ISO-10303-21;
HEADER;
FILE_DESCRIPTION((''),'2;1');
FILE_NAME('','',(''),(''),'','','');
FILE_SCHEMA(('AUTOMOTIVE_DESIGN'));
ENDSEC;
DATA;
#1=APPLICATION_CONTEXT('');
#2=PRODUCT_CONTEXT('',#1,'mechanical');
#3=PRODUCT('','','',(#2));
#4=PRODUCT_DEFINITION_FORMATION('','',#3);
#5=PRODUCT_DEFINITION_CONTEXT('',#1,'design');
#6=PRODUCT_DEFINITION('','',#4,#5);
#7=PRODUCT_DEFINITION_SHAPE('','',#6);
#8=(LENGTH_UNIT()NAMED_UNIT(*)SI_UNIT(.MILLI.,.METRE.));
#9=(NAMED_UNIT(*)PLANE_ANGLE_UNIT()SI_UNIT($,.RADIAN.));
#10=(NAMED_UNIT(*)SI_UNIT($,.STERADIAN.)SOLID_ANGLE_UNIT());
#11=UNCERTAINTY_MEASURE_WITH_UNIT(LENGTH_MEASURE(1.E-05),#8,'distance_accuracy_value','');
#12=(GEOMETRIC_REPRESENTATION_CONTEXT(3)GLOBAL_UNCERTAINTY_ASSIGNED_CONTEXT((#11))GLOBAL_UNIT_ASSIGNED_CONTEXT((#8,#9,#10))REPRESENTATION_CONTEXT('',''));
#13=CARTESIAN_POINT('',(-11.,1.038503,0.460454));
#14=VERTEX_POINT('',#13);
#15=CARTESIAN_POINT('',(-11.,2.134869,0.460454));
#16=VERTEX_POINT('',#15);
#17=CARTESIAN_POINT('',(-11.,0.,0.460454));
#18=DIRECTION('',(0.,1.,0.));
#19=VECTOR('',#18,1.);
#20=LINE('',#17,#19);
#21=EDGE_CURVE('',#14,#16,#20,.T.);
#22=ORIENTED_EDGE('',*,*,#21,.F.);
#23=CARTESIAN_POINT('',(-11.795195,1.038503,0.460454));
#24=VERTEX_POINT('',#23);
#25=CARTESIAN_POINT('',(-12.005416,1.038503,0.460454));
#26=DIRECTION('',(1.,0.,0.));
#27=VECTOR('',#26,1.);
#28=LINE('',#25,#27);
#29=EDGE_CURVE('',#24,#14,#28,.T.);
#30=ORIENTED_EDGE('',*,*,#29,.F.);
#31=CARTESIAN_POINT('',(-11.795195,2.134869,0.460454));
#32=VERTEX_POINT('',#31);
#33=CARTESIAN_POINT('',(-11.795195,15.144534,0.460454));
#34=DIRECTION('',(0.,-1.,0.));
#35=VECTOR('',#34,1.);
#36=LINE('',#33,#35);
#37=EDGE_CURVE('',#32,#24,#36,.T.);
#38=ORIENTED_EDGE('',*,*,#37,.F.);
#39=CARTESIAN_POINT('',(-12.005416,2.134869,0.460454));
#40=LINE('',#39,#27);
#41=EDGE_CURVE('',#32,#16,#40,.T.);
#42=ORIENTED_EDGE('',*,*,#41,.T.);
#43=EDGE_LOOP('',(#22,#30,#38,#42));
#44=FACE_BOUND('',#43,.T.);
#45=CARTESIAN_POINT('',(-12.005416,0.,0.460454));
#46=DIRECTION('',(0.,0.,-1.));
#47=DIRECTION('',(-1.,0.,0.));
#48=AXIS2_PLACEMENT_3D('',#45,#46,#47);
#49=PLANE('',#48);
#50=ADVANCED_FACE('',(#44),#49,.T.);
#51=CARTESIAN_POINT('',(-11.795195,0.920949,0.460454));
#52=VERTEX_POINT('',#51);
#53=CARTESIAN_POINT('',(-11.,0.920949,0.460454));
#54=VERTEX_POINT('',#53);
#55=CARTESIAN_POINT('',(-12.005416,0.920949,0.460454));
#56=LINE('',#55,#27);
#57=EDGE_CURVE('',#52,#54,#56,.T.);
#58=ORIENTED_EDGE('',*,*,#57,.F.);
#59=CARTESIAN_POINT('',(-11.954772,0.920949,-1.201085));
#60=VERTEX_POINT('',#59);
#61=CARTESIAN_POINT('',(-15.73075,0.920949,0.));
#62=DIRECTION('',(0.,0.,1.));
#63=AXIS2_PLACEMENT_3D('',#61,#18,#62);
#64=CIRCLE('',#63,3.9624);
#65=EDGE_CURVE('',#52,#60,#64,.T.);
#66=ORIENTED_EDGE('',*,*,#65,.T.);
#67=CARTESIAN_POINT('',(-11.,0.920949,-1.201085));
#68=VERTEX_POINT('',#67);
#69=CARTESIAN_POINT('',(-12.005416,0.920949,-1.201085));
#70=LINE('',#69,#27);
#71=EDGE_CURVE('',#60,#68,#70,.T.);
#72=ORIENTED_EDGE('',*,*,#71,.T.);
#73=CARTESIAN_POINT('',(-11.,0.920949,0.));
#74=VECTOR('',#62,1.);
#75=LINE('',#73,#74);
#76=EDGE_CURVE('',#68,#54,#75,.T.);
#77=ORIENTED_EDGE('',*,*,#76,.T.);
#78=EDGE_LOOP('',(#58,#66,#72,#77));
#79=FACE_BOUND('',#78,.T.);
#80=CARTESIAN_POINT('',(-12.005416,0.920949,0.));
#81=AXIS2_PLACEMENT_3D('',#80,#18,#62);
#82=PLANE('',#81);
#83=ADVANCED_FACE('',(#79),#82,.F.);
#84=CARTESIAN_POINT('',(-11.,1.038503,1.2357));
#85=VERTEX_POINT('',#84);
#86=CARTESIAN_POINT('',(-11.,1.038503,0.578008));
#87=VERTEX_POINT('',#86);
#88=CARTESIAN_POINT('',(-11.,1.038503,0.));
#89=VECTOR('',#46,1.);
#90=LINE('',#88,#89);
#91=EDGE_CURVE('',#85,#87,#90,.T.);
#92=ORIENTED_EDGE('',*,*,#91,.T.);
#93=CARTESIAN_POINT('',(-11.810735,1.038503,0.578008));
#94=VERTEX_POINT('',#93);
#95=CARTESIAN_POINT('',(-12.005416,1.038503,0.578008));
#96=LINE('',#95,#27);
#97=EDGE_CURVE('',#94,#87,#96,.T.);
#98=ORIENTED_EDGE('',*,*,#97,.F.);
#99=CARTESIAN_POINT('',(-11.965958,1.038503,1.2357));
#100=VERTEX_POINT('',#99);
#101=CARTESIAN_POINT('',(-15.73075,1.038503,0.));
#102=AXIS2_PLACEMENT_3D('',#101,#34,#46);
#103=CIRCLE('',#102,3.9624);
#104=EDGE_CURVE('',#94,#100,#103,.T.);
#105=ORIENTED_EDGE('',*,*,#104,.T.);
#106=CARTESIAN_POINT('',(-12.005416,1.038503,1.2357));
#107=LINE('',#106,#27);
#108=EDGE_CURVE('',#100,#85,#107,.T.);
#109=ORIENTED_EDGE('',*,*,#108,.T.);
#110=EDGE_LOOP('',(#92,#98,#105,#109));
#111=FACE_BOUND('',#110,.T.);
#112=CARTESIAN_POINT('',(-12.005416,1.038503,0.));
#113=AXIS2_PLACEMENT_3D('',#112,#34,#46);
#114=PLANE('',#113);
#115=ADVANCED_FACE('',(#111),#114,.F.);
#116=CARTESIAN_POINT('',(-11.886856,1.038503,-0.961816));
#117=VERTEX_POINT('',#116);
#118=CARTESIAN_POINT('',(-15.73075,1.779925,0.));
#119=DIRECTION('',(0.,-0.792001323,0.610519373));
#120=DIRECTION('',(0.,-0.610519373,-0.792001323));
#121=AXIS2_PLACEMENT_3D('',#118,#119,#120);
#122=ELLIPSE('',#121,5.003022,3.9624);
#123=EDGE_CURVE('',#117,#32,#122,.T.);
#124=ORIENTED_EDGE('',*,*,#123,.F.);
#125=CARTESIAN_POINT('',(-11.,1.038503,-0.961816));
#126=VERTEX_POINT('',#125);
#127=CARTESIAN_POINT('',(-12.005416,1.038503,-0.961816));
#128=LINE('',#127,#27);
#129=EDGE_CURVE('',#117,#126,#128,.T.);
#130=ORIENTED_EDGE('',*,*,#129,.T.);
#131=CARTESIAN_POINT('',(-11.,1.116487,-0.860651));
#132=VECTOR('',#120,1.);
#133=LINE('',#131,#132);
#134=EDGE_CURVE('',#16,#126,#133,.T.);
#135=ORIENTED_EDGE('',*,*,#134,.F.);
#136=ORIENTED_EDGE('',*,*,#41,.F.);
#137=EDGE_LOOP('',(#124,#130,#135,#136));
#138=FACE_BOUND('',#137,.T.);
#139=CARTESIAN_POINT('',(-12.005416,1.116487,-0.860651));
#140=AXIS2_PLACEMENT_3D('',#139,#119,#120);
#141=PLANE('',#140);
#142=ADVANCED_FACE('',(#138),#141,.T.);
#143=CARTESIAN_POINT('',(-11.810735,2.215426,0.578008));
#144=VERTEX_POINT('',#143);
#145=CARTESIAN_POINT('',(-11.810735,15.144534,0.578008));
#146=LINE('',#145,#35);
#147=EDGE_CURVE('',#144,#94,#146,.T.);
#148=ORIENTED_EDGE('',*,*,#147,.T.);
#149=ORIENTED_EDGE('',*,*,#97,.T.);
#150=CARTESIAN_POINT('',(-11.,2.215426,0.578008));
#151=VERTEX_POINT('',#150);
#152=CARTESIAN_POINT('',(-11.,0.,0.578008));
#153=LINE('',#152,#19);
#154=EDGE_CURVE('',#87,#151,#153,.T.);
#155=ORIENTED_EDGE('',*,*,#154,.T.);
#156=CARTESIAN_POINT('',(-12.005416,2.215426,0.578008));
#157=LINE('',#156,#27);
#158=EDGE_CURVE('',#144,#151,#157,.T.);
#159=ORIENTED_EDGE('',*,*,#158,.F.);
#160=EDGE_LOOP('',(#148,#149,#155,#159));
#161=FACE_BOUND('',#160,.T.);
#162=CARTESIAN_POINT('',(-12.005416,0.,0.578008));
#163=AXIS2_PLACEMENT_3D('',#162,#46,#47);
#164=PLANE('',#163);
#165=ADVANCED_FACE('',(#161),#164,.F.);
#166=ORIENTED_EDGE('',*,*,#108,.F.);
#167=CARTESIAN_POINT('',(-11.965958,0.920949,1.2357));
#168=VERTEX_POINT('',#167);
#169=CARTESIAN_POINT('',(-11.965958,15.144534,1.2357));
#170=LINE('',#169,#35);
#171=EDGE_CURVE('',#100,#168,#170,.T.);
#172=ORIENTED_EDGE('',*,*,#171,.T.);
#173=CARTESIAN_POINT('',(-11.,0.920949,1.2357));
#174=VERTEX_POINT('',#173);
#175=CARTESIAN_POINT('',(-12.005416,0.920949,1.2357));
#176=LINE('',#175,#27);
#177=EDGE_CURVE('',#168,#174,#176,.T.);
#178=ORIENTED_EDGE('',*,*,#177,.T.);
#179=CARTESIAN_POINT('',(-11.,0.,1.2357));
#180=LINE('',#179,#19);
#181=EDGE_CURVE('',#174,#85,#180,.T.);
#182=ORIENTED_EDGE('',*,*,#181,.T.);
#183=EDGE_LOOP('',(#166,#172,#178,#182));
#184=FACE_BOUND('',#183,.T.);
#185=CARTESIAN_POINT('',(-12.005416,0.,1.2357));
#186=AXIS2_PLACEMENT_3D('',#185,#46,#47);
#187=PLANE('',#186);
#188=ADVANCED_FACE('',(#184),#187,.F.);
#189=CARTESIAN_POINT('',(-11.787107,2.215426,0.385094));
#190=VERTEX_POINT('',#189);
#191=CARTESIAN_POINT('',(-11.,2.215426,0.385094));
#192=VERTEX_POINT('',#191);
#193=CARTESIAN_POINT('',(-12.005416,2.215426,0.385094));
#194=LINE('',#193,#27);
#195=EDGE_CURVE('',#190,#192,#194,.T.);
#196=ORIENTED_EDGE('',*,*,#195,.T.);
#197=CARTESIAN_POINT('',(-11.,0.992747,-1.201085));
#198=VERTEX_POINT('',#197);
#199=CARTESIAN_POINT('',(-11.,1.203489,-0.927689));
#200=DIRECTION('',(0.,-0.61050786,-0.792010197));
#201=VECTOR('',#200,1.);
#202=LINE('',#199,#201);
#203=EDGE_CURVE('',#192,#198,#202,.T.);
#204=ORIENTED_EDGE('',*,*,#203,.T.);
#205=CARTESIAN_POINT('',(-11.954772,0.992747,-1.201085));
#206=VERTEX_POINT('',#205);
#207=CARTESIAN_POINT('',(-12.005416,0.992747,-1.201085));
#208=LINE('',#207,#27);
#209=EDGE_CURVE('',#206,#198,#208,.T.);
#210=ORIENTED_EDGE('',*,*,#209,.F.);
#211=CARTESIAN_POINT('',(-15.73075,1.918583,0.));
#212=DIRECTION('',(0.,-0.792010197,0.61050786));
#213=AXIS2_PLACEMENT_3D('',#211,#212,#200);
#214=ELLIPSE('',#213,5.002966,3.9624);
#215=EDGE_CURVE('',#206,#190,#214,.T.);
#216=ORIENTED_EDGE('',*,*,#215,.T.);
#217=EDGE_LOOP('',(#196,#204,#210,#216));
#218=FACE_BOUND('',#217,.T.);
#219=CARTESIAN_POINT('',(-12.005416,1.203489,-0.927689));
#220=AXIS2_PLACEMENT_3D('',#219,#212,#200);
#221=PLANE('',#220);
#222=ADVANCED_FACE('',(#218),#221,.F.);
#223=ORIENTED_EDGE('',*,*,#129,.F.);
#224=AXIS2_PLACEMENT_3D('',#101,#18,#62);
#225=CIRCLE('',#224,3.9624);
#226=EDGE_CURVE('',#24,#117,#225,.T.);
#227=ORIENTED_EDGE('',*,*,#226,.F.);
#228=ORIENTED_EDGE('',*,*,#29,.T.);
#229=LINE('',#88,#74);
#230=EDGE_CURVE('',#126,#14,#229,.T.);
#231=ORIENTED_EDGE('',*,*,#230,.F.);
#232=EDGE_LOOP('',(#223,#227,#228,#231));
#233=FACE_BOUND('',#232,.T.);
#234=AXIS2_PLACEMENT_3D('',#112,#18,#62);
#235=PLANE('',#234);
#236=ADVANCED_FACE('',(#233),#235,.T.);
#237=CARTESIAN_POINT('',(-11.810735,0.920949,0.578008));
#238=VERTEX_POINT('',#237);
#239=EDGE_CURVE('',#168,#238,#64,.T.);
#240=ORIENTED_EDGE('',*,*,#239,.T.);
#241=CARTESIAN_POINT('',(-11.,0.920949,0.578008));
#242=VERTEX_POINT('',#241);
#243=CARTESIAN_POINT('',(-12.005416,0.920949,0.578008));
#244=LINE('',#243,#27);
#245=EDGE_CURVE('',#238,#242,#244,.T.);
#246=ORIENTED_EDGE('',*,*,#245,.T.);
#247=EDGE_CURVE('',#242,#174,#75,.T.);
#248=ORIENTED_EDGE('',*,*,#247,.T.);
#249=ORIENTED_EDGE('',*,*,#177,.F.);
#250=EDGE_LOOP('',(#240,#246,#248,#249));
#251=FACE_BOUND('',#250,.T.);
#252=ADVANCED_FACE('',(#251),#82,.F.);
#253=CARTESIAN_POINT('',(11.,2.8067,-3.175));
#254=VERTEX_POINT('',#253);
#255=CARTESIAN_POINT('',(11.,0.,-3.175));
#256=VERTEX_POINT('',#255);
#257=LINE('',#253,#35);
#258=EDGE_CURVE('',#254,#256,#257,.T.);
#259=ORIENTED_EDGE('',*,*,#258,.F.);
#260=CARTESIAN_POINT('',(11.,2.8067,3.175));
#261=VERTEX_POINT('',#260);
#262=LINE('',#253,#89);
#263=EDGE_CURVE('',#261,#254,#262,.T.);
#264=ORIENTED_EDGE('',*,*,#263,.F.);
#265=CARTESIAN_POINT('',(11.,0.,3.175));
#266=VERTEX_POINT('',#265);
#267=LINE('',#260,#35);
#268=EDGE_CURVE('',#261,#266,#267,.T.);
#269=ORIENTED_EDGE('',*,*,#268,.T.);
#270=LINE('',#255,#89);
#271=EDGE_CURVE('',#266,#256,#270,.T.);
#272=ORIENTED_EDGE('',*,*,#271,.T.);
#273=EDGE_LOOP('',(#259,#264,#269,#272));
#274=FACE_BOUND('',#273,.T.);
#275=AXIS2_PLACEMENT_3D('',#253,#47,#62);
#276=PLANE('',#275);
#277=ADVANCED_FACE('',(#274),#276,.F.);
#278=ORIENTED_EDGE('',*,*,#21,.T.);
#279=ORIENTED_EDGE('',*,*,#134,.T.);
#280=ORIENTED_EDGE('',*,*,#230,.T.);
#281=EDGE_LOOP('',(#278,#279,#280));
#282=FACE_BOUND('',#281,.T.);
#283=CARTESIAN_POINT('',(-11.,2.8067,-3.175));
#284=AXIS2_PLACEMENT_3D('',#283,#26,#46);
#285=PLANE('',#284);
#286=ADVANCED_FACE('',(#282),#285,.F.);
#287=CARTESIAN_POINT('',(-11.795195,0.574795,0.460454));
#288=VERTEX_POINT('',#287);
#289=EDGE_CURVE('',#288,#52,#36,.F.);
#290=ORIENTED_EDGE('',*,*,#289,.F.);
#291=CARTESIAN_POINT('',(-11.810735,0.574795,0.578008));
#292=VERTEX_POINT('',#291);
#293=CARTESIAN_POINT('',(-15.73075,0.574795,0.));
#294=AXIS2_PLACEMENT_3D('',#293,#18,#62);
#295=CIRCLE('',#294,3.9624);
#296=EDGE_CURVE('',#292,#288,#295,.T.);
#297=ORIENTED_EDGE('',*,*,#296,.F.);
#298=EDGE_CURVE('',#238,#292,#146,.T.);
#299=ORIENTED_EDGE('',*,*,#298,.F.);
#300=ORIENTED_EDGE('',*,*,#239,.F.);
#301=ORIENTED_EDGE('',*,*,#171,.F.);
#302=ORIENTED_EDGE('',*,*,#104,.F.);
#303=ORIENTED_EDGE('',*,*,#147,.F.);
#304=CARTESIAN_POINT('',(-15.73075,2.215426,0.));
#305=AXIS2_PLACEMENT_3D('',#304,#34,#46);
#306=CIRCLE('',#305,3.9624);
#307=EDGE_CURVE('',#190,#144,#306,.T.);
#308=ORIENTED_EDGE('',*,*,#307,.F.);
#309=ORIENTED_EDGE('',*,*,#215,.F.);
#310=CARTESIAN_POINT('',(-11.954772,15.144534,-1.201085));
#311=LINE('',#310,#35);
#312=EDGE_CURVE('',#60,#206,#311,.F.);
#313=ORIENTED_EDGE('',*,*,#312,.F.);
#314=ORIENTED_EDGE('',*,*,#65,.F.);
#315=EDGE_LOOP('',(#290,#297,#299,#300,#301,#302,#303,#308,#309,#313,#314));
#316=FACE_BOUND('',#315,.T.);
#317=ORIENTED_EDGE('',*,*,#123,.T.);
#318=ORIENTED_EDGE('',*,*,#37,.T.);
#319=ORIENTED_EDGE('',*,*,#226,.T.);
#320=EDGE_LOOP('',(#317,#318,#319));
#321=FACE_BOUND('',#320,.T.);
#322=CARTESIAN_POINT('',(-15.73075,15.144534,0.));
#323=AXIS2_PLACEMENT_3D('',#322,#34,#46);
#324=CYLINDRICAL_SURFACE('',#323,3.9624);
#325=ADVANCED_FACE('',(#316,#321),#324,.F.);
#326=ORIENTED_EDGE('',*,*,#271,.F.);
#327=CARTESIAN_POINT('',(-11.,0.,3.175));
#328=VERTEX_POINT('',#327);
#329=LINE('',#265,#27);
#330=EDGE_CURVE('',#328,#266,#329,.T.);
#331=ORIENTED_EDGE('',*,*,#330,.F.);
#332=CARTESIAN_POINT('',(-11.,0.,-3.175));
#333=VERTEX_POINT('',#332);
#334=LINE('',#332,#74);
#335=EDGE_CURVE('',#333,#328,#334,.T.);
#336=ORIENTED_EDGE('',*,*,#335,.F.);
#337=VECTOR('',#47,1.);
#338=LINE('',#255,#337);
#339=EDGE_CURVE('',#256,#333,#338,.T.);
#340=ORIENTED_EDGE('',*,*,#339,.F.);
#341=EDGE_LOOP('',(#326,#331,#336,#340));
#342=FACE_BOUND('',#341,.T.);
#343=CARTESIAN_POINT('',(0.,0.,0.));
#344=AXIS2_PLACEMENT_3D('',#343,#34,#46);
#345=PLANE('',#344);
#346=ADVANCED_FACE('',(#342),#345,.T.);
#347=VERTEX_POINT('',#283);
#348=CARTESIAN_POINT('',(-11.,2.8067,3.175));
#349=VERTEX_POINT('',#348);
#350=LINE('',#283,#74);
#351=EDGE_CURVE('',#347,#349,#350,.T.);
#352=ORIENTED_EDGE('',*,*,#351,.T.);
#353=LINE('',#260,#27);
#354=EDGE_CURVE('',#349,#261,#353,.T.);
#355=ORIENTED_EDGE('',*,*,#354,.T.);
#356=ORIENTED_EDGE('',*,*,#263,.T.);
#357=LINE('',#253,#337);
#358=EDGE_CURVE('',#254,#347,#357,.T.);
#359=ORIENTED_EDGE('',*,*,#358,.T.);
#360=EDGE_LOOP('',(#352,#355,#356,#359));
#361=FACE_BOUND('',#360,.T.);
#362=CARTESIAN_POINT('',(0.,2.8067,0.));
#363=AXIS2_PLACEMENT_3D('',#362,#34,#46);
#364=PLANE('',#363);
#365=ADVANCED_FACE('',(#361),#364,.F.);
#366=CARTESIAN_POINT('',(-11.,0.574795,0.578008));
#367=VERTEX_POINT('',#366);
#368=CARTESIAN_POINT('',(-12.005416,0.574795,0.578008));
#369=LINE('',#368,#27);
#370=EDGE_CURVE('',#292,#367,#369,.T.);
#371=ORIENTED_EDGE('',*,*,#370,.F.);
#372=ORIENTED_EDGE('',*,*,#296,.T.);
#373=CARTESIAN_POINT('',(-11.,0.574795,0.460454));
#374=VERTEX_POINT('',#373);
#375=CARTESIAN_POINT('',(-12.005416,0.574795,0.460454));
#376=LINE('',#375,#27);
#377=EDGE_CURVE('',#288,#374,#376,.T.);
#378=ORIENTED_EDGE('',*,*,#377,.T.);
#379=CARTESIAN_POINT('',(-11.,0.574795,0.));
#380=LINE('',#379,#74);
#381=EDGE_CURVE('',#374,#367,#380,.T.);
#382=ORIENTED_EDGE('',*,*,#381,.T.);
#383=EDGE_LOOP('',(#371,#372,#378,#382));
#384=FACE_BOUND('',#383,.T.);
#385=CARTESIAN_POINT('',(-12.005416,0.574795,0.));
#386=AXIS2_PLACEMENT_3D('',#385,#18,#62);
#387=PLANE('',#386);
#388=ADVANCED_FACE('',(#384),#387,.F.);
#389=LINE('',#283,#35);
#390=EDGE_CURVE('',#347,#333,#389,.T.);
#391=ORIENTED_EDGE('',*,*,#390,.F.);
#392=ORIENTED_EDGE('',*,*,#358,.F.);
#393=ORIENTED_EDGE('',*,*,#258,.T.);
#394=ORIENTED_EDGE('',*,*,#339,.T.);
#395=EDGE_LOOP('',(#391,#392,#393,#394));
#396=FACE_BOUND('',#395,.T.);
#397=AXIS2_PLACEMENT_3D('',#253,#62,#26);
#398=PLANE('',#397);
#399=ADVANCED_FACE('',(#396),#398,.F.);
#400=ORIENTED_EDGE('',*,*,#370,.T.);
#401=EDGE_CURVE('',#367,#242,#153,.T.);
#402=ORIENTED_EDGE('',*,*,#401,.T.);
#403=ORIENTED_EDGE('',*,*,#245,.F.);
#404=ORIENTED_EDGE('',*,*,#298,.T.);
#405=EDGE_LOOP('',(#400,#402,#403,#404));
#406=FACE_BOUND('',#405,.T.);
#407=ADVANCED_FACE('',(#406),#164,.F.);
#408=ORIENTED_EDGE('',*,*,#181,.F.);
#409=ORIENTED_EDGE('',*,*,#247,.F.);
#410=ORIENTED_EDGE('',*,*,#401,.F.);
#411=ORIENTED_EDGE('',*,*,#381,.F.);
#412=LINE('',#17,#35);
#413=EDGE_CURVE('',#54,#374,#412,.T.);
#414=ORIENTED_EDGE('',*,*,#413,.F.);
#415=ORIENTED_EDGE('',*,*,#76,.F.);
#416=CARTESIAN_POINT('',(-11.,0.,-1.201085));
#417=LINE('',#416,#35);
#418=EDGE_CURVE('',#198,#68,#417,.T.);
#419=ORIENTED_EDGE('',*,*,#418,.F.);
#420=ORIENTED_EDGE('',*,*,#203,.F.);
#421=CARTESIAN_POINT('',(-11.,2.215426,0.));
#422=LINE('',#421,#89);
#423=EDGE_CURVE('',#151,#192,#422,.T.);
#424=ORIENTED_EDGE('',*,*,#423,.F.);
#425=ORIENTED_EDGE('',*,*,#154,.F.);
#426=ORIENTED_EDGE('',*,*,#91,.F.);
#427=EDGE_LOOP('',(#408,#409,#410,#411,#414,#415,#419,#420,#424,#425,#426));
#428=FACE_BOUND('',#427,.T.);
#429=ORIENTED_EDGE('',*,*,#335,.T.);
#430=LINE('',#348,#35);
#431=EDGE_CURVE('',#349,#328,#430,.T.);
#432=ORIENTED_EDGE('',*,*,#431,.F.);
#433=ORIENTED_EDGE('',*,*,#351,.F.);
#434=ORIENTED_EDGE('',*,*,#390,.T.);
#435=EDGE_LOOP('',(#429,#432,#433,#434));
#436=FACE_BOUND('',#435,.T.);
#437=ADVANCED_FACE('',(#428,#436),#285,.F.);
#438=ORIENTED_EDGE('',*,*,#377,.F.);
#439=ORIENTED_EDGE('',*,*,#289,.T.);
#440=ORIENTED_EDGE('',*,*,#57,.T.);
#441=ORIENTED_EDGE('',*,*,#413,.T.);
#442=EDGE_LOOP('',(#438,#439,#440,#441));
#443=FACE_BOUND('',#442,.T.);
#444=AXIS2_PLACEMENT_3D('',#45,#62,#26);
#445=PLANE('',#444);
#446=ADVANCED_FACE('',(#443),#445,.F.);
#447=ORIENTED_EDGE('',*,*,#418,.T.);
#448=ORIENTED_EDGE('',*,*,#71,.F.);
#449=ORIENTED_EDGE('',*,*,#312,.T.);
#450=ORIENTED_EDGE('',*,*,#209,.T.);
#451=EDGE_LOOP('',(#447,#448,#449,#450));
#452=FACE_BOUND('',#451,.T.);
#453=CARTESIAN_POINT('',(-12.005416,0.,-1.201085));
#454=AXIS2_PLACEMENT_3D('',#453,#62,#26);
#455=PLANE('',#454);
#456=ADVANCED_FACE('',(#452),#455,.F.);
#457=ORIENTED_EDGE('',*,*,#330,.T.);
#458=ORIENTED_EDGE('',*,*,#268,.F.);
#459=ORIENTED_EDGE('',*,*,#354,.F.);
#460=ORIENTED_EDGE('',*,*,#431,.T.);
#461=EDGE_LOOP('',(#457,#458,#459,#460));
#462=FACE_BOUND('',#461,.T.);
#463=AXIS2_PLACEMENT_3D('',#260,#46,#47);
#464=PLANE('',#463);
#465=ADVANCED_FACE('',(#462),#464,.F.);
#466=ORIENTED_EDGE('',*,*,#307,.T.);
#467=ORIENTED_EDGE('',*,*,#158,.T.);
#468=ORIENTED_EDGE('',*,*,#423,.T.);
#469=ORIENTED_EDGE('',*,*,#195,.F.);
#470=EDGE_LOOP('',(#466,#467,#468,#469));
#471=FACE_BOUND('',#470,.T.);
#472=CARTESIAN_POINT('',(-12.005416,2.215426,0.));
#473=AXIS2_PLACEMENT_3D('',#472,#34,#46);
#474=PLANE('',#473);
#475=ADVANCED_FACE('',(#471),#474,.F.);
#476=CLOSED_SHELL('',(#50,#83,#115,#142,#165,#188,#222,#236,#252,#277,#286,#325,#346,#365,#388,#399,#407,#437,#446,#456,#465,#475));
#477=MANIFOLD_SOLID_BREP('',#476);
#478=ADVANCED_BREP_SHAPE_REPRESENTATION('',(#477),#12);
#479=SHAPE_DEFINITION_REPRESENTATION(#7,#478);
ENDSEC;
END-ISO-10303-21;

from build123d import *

# Parameters (mm, degrees)
CROQUIS1_W                   = 22
CROQUIS1_H                   = 6.35
SALIENTE_EXTRUIR1_DEPTH      = 2.8067
SALIENTE_EXTRUIR2_REACH      = 24.404
SALIENTE_EXTRUIR2_END_RADIUS = 3.9624
CORTAR_EXTRUIR1_DEPTH        = 23.404423445


with BuildPart() as part:
    # Croquis1 → Saliente-Extruir1 (new body)
    with BuildSketch(Plane(origin=(0, 0, 0), x_dir=(1, 0, 0), z_dir=(0, 1, 0))):
        Rectangle(CROQUIS1_W, CROQUIS1_H)
    extrude(amount=SALIENTE_EXTRUIR1_DEPTH)

    # Saliente-Extruir2: up to this cylinder (the profile starts outside it)
    saliente_extruir2_end = Plane(origin=(-15.73075, 1.120248, 0), z_dir=(0, -1, 0)) * Cylinder(SALIENTE_EXTRUIR2_END_RADIUS, 57.7328, mode=Mode.PRIVATE)
    # Croquis2 → Saliente-Extruir2 (add, up to the surface)
    with BuildSketch(Plane.ZY.offset(11), mode=Mode.PRIVATE) as saliente_extruir2_sk1:
        Polygon((1.35, 1.152803077), (0.692307692, 1.152803077), (0.692307692, 2.329726154), (0.346153846, 2.329726154), (-1.315384615, 1.048956923), (-1.315384615, 0.806649231), (0.346153846, 0.806649231), (0.346153846, 0.460495385), (0.692307692, 0.460495385), (0.692307692, 0.806649231), (1.35, 0.806649231), align=None)
        Polygon((0.346153846, 1.152803077), (-0.626322115, 1.152803077), (0.346153846, 1.9024425), align=None, mode=Mode.SUBTRACT)
    saliente_extruir2_tool1 = extrude(saliente_extruir2_sk1.sketch, amount=SALIENTE_EXTRUIR2_REACH, mode=Mode.PRIVATE) - saliente_extruir2_end
    add(saliente_extruir2_tool1.solids().sort_by_distance((-11, 1.120248, 1.021154))[0])

    # Croquis5 → Cortar-Extruir1 (cut, through all)
    # profile 1 of 2: a face of its own
    with BuildSketch(Plane.ZY.offset(11)):
        Polygon((1.35, 1.152803077), (1.35, 0.806649231), (0.692307692, 0.806649231), (0.692307692, 0.460495385), (0.346153846, 0.460495385), (0.346153846, 0.806649231), (-1.315384615, 0.806649231), (-1.315384615, 1.048956923), (0.346153846, 2.329726154), (0.692307692, 2.329726154), (0.692307692, 1.152803077), align=None)
        Polygon((0.578007692, 0.920949231), (1.2357, 0.920949231), (1.2357, 1.038503077), (0.578007692, 1.038503077), (0.578007692, 2.215426154), (0.385093942, 2.215426154), (-1.201084615, 0.992746849), (-1.201084615, 0.920949231), (0.460453846, 0.920949231), (0.460453846, 0.574795385), (0.578007692, 0.574795385), align=None, mode=Mode.SUBTRACT)
    # profile 2 of 2: a face of its own
    with BuildSketch(Plane.ZY.offset(11)):
        Polygon((0.460453846, 2.13486934), (-0.961816385, 1.038503077), (0.460453846, 1.038503077), align=None)
        Polygon((0.346153846, 1.9024425), (-0.626322115, 1.152803077), (0.346153846, 1.152803077), align=None, mode=Mode.SUBTRACT)
    extrude(amount=CORTAR_EXTRUIR1_DEPTH, mode=Mode.SUBTRACT)


solid = part.part
